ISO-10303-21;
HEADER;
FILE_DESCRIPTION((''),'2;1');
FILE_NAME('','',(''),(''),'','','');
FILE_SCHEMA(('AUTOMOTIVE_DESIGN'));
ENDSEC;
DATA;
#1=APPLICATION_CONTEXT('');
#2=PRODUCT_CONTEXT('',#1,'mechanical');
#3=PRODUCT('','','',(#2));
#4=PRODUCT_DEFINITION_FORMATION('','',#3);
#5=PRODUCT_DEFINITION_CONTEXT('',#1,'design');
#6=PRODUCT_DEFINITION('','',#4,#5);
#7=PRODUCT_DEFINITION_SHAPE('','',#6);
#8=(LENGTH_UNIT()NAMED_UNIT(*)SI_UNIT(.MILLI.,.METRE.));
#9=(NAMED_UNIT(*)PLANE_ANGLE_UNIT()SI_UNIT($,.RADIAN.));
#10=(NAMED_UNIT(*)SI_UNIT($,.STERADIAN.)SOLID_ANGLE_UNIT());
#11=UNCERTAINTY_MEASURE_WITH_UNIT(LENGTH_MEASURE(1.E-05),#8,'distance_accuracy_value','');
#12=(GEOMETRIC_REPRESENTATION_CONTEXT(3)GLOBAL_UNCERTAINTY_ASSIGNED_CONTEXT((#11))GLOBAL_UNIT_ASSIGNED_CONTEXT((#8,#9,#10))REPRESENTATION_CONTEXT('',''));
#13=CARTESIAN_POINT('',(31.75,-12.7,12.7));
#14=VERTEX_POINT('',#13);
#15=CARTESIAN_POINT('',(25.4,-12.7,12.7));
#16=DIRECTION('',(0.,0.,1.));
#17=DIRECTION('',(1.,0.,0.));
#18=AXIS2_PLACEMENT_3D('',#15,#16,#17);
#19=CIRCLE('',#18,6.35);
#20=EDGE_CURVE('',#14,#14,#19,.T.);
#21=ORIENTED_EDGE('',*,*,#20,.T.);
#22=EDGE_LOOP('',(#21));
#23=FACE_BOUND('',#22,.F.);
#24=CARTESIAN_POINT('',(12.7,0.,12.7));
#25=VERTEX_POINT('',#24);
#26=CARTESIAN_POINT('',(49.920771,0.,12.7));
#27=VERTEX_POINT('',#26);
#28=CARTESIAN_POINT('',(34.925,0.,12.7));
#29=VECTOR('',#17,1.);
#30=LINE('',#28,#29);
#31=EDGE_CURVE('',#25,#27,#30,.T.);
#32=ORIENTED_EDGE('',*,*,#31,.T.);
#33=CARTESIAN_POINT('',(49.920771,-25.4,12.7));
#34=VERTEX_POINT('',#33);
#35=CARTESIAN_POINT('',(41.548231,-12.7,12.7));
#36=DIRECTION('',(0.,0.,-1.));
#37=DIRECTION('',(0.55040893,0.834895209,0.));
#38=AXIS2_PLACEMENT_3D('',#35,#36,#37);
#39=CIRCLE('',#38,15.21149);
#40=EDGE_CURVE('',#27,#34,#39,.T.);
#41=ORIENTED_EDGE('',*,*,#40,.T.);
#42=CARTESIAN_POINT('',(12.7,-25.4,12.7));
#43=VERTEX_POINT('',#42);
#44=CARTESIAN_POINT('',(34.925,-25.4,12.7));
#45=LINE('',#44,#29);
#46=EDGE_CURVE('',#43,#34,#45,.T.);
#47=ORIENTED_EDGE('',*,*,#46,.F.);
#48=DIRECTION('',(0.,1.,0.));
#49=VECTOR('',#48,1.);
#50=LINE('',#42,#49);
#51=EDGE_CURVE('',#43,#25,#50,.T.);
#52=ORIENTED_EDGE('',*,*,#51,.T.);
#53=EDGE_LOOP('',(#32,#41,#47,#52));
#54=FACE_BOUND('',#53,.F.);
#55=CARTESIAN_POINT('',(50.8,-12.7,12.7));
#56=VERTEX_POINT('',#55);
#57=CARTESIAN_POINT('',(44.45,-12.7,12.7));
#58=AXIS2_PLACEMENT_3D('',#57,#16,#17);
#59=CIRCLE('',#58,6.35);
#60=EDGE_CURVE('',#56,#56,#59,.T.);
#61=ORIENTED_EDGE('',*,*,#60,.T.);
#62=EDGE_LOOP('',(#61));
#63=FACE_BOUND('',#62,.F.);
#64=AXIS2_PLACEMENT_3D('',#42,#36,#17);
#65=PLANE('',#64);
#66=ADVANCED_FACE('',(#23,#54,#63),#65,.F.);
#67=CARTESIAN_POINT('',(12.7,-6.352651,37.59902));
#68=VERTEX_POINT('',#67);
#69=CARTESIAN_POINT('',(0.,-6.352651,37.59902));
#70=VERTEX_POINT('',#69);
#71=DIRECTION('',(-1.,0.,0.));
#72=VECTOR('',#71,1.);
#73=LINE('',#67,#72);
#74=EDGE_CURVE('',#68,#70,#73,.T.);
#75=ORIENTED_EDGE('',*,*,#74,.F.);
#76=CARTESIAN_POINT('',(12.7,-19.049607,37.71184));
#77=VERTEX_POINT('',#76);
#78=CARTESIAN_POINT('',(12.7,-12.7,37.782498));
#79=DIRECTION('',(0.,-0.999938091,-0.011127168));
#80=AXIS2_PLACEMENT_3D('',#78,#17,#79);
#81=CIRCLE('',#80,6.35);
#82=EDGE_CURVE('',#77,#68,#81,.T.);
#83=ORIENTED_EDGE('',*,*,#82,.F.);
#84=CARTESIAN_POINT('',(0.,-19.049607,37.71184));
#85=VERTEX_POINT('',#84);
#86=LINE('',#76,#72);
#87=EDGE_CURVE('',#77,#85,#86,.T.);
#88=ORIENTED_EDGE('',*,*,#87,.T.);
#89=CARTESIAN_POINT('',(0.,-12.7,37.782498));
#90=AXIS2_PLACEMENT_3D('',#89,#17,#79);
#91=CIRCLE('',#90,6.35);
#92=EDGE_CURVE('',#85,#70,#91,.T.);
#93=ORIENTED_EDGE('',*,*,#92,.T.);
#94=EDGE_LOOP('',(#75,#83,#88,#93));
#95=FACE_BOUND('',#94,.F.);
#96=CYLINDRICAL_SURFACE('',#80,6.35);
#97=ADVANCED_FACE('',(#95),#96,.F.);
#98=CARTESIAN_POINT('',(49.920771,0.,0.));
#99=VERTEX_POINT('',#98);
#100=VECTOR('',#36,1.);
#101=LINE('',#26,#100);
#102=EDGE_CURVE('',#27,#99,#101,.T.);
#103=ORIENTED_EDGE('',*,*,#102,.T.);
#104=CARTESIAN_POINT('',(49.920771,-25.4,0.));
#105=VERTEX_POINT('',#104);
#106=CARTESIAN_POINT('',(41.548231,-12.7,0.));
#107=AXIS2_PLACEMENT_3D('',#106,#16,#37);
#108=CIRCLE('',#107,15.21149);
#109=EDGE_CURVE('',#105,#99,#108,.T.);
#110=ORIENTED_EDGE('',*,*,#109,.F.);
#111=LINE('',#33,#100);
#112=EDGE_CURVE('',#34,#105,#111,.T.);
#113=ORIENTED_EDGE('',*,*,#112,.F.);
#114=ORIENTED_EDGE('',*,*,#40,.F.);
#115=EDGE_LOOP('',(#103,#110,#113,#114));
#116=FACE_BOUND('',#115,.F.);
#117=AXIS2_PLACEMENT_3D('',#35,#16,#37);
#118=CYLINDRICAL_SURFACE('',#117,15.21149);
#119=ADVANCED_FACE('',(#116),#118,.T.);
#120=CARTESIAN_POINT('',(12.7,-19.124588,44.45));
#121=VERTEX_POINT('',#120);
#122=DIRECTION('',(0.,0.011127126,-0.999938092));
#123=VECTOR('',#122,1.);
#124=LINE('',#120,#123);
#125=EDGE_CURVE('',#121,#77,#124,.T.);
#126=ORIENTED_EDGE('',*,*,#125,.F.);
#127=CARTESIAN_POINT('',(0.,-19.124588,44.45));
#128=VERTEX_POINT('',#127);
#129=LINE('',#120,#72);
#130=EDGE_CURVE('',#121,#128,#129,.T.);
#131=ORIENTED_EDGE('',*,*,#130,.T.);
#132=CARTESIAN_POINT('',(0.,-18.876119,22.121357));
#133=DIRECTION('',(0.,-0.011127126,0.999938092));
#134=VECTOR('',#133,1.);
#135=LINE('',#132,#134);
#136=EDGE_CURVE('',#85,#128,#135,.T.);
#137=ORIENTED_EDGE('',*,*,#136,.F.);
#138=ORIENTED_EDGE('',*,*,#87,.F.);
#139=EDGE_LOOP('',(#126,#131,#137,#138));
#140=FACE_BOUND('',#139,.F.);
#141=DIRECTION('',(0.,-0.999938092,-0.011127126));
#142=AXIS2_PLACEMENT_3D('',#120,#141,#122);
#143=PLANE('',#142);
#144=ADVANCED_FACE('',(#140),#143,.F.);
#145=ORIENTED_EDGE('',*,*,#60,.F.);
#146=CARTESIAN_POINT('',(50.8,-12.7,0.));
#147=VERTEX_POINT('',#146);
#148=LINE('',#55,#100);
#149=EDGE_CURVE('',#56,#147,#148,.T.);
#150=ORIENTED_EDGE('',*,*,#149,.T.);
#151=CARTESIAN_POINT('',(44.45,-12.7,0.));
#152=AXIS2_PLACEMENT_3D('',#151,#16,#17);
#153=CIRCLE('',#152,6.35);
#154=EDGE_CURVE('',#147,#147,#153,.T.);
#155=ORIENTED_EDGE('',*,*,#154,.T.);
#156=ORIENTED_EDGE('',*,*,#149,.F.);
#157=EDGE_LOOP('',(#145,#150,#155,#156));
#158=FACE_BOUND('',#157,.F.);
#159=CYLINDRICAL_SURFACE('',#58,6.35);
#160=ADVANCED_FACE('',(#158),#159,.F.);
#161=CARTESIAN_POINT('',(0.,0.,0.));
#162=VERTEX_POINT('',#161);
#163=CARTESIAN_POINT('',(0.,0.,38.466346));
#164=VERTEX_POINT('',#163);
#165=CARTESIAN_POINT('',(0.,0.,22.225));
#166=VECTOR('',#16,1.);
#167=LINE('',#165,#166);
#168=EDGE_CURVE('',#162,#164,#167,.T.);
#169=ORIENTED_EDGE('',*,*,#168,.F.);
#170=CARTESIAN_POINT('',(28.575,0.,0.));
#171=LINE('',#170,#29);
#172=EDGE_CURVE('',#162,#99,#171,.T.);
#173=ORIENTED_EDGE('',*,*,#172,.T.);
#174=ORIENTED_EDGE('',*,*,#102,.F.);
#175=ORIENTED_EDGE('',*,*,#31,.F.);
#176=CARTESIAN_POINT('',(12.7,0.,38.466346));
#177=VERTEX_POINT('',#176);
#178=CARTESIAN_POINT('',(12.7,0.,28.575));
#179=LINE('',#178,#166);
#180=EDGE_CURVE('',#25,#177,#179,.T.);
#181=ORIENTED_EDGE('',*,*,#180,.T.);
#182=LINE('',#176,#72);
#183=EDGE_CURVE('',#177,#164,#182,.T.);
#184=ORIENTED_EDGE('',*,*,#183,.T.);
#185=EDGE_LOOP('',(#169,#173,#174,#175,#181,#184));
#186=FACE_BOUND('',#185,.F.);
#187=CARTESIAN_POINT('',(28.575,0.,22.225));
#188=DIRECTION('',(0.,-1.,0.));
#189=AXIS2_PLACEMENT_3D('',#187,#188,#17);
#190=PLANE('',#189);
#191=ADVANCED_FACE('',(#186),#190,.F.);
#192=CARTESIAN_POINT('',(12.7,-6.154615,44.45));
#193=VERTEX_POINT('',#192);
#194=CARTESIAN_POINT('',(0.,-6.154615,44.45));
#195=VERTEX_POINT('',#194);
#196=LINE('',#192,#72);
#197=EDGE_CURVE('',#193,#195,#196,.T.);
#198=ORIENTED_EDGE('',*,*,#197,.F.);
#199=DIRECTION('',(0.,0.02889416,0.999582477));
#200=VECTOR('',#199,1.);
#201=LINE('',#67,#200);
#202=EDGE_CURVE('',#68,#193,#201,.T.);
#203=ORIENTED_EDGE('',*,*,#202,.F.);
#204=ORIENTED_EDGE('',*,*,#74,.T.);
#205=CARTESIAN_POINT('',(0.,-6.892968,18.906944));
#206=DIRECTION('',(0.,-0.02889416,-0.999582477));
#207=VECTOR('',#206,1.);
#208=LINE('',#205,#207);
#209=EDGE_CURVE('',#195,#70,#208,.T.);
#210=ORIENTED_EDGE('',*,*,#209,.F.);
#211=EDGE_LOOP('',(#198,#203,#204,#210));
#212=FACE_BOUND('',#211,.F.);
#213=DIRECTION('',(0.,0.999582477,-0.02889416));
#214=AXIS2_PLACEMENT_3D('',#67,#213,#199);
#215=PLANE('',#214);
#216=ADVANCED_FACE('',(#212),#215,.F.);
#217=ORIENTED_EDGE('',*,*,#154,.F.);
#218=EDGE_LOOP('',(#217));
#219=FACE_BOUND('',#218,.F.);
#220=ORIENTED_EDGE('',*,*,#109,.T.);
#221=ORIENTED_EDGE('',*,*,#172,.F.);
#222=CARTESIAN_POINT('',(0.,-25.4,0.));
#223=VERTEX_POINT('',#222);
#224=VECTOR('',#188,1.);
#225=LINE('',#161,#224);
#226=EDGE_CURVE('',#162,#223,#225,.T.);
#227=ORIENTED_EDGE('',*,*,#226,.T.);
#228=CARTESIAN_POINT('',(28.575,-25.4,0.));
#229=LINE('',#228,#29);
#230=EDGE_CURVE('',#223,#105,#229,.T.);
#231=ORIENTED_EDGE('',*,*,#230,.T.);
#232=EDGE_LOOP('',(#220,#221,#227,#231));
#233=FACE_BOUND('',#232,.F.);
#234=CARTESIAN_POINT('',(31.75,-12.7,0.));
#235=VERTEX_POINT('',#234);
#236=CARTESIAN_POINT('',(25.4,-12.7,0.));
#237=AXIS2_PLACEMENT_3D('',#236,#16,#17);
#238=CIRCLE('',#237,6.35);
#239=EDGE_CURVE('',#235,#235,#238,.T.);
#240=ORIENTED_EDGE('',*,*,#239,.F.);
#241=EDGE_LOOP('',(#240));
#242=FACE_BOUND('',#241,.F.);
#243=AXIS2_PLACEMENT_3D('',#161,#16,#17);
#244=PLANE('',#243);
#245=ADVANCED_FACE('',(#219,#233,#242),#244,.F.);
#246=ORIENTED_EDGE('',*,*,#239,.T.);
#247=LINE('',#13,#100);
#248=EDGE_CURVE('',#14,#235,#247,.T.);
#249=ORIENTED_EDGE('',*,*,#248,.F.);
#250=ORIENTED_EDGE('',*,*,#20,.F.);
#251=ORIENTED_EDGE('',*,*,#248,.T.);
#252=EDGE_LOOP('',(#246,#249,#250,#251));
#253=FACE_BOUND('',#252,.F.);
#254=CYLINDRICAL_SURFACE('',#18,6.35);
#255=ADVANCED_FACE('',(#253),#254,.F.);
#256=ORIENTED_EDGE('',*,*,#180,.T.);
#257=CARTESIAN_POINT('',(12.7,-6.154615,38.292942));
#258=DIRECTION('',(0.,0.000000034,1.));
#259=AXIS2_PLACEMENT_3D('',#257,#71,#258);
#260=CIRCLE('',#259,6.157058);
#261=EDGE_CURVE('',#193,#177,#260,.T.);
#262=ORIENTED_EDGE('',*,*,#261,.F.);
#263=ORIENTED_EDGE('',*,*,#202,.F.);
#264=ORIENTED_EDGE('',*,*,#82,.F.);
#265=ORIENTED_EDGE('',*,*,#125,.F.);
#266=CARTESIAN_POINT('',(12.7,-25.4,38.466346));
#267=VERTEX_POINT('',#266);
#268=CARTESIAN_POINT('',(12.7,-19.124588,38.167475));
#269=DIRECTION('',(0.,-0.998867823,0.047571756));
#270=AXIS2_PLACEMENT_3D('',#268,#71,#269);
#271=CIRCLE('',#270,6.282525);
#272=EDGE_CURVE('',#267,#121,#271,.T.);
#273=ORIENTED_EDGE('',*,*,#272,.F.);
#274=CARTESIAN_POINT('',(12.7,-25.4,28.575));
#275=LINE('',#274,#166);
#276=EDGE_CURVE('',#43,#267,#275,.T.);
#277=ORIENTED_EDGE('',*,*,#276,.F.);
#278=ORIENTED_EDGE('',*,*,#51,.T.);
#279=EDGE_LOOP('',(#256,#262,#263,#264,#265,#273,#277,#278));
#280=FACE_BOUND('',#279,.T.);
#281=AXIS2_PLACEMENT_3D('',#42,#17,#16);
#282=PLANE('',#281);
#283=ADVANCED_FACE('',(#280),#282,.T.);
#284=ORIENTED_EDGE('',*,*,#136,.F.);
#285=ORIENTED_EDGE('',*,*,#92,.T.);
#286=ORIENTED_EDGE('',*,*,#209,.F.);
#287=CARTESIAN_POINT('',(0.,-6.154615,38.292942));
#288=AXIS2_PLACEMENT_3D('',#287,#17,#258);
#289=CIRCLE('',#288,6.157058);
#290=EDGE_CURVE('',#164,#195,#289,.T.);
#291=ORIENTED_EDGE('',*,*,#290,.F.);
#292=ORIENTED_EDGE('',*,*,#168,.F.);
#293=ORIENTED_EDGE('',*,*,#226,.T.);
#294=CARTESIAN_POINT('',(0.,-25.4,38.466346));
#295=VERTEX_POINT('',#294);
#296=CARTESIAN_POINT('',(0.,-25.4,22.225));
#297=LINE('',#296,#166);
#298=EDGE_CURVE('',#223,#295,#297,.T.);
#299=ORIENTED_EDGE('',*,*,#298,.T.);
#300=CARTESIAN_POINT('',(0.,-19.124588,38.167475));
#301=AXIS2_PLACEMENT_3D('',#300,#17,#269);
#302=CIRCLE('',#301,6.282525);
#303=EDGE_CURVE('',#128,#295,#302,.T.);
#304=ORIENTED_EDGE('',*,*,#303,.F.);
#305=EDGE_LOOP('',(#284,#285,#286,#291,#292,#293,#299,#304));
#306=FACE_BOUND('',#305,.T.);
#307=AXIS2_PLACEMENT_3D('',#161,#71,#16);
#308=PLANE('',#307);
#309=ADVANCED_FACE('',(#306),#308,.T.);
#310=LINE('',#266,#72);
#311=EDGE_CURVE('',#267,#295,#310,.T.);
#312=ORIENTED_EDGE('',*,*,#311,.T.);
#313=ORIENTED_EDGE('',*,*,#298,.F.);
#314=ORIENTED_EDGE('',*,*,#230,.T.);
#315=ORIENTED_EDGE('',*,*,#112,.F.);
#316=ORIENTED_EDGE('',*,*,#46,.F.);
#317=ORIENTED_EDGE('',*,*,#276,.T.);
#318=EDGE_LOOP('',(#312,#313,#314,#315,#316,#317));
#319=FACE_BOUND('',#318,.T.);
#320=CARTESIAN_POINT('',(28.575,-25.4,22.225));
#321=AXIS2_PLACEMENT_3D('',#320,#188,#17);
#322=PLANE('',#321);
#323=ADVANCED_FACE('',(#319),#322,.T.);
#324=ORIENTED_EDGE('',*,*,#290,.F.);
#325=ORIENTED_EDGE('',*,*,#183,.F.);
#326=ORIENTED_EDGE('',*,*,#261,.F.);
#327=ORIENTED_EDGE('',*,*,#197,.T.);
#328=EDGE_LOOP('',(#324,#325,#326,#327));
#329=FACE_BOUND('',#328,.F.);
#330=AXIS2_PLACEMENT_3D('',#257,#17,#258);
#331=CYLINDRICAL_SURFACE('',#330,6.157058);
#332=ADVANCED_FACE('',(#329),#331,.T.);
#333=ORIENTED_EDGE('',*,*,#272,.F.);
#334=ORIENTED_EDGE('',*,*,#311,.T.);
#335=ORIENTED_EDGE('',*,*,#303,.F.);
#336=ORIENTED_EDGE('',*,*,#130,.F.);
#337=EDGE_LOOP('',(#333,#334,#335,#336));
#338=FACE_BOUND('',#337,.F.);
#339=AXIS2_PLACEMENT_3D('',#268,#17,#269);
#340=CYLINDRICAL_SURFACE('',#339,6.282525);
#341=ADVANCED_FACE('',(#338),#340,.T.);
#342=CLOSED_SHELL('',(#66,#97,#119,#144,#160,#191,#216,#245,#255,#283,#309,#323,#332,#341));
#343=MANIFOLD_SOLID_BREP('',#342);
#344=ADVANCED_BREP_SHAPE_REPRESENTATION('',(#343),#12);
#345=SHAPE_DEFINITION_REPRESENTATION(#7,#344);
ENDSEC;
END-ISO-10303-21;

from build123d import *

# Parameters (mm, degrees)
F0_W      = 57.15
F0_H      = 44.45
F1_DEPTH  = 25.4
F2_W      = 44.45
F2_H      = 31.75
F3_DEPTH  = 25.4
F5_DEPTH  = 25.4
F7_DEPTH  = 25.4
F9_DEPTH  = 25.4
F10_R     = 6.35
F11_DEPTH = 25.4
F13_DEPTH = 25.4


with BuildPart() as f1:
    # F0 (on Front) → F1 (new body)
    with BuildSketch(Plane.XZ):
        with Locations((28.575, 22.225)):
            Rectangle(F0_W, F0_H)
    extrude(amount=F1_DEPTH)

    # F2 (on face) → F3 (cut)
    with BuildSketch(Plane.XZ.offset(25.4)):
        with Locations((34.925, 28.575)):
            Rectangle(F2_W, F2_H)
    extrude(amount=-F3_DEPTH, mode=Mode.SUBTRACT)

    # F4 (on face) → F5 (cut)
    with BuildSketch(Plane.YZ.offset(12.7)):
        with BuildLine():
            ThreePointArc((-19.049607, 37.71184), (-12.735329, 44.132399), (-6.35, 37.782498))
            ThreePointArc((-6.35, 37.782498), (-6.350663, 37.690749), (-6.352651, 37.59902))
            Line((-6.352651, 37.59902), (-6.154615, 44.45))
            Line((-6.154615, 44.45), (-19.124588, 44.45))
            Line((-19.124588, 44.45), (-19.049607, 37.71184))
        make_face()
        with BuildLine():
            ThreePointArc((-6.352651, 37.59902), (-6.350663, 37.690749), (-6.35, 37.782498))
            ThreePointArc((-6.35, 37.782498), (-12.735329, 44.132399), (-19.049607, 37.71184))
            ThreePointArc((-19.049607, 37.71184), (-12.756422, 31.432748), (-6.352651, 37.59902))
        make_face()
    extrude(amount=-F5_DEPTH, mode=Mode.SUBTRACT)

    # F6 (on face) → F7 (cut)
    with BuildSketch(Plane.YZ.offset(12.7)):
        with BuildLine():
            ThreePointArc((-25.4, 38.466346), (-23.46005, 42.71433), (-19.124588, 44.45))
            Line((-19.124588, 44.45), (-25.4, 44.45))
            Line((-25.4, 44.45), (-25.4, 38.466346))
        make_face()
    extrude(amount=-F7_DEPTH, mode=Mode.SUBTRACT)

    # F8 (on face) → F9 (cut)
    with BuildSketch(Plane.YZ.offset(12.7)):
        with BuildLine():
            ThreePointArc((-6.154615, 44.45), (-1.862663, 42.707521), (0, 38.466346))
            Line((0, 38.466346), (0, 44.45))
            Line((0, 44.45), (-6.154615, 44.45))
        make_face()
    extrude(amount=-F9_DEPTH, mode=Mode.SUBTRACT)

    # F10 (on face) → F11 (cut)
    with BuildSketch(Plane.XY.offset(12.7)):
        with Locations((44.45, -12.7)):
            Circle(F10_R)
        with Locations((25.4, -12.7)):
            Circle(F10_R)
    extrude(amount=-F11_DEPTH, mode=Mode.SUBTRACT)

    # F12 (on face) → F13 (cut)
    with BuildSketch(Plane.XY.offset(12.7)):
        with BuildLine():
            ThreePointArc((49.920771, 0), (56.759721, -12.7), (49.920771, -25.4))
            Line((49.920771, -25.4), (57.15, -25.4))
            Line((57.15, -25.4), (57.15, 0))
            Line((57.15, 0), (49.920771, 0))
        make_face()
    extrude(amount=-F13_DEPTH, mode=Mode.SUBTRACT)


solid = f1.part
